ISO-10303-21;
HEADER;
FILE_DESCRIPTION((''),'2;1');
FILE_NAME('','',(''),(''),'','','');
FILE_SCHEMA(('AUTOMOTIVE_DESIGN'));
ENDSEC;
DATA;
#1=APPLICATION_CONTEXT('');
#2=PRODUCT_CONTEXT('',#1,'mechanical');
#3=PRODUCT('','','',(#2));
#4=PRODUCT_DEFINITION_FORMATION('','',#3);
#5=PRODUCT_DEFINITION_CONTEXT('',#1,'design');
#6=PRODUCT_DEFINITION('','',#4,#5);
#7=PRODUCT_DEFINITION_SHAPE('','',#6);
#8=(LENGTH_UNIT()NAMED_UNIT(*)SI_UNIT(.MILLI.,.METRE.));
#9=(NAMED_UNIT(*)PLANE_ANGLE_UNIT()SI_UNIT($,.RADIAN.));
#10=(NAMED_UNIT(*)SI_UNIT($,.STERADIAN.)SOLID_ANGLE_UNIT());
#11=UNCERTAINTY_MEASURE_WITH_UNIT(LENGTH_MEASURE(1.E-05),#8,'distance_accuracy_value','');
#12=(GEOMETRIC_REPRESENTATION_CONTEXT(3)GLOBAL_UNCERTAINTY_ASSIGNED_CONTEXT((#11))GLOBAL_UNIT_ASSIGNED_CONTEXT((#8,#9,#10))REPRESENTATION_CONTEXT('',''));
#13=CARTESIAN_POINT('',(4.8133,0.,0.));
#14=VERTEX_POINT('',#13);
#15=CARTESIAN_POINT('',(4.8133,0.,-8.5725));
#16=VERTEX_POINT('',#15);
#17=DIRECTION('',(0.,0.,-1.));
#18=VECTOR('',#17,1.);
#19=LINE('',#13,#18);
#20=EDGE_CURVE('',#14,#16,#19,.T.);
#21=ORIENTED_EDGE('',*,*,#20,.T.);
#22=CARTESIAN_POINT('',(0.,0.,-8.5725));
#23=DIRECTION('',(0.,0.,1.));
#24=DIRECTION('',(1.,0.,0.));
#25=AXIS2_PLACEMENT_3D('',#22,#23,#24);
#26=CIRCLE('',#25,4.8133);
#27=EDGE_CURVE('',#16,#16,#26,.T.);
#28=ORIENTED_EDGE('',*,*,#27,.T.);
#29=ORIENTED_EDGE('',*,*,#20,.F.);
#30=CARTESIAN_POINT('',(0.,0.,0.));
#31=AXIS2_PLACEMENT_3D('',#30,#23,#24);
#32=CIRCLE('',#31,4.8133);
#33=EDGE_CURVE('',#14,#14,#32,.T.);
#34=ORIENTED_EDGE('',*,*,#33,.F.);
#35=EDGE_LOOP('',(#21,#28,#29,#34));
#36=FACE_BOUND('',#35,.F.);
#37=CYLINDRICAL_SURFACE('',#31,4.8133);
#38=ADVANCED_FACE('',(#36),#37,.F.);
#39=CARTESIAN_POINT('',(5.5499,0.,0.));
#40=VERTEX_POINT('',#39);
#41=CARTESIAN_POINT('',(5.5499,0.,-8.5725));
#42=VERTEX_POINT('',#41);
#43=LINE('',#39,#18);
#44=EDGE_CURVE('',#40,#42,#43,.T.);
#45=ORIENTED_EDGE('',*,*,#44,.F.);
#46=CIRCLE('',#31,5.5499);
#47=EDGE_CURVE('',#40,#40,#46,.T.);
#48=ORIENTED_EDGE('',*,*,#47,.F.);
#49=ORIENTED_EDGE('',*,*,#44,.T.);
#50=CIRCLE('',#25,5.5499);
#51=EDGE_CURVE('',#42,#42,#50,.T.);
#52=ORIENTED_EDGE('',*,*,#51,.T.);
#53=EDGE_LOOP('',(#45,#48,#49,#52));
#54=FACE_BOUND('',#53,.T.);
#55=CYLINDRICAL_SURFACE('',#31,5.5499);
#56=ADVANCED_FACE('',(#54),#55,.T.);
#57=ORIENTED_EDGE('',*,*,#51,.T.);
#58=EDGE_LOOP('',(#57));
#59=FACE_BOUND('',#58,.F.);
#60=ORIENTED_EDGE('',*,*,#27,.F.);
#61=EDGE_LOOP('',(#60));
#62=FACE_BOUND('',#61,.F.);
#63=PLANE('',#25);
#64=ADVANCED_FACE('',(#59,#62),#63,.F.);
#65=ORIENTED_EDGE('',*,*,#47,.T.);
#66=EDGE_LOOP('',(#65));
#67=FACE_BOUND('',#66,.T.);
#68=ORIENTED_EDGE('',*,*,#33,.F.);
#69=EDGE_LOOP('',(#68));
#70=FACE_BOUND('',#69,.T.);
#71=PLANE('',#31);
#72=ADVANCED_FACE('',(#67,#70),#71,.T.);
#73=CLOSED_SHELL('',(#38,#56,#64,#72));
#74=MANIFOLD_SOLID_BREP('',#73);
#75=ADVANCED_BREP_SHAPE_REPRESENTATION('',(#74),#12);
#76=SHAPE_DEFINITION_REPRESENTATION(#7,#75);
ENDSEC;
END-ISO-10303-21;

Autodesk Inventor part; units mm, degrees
ref_plane "YZ Plane" through (0, 0, 0) normal (1, 0, 0) x (0, 1, 0)
ref_plane "XZ Plane" through (0, 0, 0) normal (0, 1, 0) x (-1, 0, 0)
ref_plane "XY Plane" through (0, 0, 0) normal (0, 0, 1) x (1, 0, 0)
sketch "Sketch1" plane through (0, 0, 0) normal (0, 0, 1) x (1, 0, 0)
  circle A0 centre (0, 0) radius 4.8133
  circle A1 centre (0, 0) radius 5.5499
  dimension "d0" = 9.6266
  dimension "d2" = 11.0998
extrude "Extrusion1" add sketch "Sketch1" against normal blind 8.5725
properties part number "DBK_0820Spacer_am-2243 (modified 2)" material "Brass, Soft Yellow"
